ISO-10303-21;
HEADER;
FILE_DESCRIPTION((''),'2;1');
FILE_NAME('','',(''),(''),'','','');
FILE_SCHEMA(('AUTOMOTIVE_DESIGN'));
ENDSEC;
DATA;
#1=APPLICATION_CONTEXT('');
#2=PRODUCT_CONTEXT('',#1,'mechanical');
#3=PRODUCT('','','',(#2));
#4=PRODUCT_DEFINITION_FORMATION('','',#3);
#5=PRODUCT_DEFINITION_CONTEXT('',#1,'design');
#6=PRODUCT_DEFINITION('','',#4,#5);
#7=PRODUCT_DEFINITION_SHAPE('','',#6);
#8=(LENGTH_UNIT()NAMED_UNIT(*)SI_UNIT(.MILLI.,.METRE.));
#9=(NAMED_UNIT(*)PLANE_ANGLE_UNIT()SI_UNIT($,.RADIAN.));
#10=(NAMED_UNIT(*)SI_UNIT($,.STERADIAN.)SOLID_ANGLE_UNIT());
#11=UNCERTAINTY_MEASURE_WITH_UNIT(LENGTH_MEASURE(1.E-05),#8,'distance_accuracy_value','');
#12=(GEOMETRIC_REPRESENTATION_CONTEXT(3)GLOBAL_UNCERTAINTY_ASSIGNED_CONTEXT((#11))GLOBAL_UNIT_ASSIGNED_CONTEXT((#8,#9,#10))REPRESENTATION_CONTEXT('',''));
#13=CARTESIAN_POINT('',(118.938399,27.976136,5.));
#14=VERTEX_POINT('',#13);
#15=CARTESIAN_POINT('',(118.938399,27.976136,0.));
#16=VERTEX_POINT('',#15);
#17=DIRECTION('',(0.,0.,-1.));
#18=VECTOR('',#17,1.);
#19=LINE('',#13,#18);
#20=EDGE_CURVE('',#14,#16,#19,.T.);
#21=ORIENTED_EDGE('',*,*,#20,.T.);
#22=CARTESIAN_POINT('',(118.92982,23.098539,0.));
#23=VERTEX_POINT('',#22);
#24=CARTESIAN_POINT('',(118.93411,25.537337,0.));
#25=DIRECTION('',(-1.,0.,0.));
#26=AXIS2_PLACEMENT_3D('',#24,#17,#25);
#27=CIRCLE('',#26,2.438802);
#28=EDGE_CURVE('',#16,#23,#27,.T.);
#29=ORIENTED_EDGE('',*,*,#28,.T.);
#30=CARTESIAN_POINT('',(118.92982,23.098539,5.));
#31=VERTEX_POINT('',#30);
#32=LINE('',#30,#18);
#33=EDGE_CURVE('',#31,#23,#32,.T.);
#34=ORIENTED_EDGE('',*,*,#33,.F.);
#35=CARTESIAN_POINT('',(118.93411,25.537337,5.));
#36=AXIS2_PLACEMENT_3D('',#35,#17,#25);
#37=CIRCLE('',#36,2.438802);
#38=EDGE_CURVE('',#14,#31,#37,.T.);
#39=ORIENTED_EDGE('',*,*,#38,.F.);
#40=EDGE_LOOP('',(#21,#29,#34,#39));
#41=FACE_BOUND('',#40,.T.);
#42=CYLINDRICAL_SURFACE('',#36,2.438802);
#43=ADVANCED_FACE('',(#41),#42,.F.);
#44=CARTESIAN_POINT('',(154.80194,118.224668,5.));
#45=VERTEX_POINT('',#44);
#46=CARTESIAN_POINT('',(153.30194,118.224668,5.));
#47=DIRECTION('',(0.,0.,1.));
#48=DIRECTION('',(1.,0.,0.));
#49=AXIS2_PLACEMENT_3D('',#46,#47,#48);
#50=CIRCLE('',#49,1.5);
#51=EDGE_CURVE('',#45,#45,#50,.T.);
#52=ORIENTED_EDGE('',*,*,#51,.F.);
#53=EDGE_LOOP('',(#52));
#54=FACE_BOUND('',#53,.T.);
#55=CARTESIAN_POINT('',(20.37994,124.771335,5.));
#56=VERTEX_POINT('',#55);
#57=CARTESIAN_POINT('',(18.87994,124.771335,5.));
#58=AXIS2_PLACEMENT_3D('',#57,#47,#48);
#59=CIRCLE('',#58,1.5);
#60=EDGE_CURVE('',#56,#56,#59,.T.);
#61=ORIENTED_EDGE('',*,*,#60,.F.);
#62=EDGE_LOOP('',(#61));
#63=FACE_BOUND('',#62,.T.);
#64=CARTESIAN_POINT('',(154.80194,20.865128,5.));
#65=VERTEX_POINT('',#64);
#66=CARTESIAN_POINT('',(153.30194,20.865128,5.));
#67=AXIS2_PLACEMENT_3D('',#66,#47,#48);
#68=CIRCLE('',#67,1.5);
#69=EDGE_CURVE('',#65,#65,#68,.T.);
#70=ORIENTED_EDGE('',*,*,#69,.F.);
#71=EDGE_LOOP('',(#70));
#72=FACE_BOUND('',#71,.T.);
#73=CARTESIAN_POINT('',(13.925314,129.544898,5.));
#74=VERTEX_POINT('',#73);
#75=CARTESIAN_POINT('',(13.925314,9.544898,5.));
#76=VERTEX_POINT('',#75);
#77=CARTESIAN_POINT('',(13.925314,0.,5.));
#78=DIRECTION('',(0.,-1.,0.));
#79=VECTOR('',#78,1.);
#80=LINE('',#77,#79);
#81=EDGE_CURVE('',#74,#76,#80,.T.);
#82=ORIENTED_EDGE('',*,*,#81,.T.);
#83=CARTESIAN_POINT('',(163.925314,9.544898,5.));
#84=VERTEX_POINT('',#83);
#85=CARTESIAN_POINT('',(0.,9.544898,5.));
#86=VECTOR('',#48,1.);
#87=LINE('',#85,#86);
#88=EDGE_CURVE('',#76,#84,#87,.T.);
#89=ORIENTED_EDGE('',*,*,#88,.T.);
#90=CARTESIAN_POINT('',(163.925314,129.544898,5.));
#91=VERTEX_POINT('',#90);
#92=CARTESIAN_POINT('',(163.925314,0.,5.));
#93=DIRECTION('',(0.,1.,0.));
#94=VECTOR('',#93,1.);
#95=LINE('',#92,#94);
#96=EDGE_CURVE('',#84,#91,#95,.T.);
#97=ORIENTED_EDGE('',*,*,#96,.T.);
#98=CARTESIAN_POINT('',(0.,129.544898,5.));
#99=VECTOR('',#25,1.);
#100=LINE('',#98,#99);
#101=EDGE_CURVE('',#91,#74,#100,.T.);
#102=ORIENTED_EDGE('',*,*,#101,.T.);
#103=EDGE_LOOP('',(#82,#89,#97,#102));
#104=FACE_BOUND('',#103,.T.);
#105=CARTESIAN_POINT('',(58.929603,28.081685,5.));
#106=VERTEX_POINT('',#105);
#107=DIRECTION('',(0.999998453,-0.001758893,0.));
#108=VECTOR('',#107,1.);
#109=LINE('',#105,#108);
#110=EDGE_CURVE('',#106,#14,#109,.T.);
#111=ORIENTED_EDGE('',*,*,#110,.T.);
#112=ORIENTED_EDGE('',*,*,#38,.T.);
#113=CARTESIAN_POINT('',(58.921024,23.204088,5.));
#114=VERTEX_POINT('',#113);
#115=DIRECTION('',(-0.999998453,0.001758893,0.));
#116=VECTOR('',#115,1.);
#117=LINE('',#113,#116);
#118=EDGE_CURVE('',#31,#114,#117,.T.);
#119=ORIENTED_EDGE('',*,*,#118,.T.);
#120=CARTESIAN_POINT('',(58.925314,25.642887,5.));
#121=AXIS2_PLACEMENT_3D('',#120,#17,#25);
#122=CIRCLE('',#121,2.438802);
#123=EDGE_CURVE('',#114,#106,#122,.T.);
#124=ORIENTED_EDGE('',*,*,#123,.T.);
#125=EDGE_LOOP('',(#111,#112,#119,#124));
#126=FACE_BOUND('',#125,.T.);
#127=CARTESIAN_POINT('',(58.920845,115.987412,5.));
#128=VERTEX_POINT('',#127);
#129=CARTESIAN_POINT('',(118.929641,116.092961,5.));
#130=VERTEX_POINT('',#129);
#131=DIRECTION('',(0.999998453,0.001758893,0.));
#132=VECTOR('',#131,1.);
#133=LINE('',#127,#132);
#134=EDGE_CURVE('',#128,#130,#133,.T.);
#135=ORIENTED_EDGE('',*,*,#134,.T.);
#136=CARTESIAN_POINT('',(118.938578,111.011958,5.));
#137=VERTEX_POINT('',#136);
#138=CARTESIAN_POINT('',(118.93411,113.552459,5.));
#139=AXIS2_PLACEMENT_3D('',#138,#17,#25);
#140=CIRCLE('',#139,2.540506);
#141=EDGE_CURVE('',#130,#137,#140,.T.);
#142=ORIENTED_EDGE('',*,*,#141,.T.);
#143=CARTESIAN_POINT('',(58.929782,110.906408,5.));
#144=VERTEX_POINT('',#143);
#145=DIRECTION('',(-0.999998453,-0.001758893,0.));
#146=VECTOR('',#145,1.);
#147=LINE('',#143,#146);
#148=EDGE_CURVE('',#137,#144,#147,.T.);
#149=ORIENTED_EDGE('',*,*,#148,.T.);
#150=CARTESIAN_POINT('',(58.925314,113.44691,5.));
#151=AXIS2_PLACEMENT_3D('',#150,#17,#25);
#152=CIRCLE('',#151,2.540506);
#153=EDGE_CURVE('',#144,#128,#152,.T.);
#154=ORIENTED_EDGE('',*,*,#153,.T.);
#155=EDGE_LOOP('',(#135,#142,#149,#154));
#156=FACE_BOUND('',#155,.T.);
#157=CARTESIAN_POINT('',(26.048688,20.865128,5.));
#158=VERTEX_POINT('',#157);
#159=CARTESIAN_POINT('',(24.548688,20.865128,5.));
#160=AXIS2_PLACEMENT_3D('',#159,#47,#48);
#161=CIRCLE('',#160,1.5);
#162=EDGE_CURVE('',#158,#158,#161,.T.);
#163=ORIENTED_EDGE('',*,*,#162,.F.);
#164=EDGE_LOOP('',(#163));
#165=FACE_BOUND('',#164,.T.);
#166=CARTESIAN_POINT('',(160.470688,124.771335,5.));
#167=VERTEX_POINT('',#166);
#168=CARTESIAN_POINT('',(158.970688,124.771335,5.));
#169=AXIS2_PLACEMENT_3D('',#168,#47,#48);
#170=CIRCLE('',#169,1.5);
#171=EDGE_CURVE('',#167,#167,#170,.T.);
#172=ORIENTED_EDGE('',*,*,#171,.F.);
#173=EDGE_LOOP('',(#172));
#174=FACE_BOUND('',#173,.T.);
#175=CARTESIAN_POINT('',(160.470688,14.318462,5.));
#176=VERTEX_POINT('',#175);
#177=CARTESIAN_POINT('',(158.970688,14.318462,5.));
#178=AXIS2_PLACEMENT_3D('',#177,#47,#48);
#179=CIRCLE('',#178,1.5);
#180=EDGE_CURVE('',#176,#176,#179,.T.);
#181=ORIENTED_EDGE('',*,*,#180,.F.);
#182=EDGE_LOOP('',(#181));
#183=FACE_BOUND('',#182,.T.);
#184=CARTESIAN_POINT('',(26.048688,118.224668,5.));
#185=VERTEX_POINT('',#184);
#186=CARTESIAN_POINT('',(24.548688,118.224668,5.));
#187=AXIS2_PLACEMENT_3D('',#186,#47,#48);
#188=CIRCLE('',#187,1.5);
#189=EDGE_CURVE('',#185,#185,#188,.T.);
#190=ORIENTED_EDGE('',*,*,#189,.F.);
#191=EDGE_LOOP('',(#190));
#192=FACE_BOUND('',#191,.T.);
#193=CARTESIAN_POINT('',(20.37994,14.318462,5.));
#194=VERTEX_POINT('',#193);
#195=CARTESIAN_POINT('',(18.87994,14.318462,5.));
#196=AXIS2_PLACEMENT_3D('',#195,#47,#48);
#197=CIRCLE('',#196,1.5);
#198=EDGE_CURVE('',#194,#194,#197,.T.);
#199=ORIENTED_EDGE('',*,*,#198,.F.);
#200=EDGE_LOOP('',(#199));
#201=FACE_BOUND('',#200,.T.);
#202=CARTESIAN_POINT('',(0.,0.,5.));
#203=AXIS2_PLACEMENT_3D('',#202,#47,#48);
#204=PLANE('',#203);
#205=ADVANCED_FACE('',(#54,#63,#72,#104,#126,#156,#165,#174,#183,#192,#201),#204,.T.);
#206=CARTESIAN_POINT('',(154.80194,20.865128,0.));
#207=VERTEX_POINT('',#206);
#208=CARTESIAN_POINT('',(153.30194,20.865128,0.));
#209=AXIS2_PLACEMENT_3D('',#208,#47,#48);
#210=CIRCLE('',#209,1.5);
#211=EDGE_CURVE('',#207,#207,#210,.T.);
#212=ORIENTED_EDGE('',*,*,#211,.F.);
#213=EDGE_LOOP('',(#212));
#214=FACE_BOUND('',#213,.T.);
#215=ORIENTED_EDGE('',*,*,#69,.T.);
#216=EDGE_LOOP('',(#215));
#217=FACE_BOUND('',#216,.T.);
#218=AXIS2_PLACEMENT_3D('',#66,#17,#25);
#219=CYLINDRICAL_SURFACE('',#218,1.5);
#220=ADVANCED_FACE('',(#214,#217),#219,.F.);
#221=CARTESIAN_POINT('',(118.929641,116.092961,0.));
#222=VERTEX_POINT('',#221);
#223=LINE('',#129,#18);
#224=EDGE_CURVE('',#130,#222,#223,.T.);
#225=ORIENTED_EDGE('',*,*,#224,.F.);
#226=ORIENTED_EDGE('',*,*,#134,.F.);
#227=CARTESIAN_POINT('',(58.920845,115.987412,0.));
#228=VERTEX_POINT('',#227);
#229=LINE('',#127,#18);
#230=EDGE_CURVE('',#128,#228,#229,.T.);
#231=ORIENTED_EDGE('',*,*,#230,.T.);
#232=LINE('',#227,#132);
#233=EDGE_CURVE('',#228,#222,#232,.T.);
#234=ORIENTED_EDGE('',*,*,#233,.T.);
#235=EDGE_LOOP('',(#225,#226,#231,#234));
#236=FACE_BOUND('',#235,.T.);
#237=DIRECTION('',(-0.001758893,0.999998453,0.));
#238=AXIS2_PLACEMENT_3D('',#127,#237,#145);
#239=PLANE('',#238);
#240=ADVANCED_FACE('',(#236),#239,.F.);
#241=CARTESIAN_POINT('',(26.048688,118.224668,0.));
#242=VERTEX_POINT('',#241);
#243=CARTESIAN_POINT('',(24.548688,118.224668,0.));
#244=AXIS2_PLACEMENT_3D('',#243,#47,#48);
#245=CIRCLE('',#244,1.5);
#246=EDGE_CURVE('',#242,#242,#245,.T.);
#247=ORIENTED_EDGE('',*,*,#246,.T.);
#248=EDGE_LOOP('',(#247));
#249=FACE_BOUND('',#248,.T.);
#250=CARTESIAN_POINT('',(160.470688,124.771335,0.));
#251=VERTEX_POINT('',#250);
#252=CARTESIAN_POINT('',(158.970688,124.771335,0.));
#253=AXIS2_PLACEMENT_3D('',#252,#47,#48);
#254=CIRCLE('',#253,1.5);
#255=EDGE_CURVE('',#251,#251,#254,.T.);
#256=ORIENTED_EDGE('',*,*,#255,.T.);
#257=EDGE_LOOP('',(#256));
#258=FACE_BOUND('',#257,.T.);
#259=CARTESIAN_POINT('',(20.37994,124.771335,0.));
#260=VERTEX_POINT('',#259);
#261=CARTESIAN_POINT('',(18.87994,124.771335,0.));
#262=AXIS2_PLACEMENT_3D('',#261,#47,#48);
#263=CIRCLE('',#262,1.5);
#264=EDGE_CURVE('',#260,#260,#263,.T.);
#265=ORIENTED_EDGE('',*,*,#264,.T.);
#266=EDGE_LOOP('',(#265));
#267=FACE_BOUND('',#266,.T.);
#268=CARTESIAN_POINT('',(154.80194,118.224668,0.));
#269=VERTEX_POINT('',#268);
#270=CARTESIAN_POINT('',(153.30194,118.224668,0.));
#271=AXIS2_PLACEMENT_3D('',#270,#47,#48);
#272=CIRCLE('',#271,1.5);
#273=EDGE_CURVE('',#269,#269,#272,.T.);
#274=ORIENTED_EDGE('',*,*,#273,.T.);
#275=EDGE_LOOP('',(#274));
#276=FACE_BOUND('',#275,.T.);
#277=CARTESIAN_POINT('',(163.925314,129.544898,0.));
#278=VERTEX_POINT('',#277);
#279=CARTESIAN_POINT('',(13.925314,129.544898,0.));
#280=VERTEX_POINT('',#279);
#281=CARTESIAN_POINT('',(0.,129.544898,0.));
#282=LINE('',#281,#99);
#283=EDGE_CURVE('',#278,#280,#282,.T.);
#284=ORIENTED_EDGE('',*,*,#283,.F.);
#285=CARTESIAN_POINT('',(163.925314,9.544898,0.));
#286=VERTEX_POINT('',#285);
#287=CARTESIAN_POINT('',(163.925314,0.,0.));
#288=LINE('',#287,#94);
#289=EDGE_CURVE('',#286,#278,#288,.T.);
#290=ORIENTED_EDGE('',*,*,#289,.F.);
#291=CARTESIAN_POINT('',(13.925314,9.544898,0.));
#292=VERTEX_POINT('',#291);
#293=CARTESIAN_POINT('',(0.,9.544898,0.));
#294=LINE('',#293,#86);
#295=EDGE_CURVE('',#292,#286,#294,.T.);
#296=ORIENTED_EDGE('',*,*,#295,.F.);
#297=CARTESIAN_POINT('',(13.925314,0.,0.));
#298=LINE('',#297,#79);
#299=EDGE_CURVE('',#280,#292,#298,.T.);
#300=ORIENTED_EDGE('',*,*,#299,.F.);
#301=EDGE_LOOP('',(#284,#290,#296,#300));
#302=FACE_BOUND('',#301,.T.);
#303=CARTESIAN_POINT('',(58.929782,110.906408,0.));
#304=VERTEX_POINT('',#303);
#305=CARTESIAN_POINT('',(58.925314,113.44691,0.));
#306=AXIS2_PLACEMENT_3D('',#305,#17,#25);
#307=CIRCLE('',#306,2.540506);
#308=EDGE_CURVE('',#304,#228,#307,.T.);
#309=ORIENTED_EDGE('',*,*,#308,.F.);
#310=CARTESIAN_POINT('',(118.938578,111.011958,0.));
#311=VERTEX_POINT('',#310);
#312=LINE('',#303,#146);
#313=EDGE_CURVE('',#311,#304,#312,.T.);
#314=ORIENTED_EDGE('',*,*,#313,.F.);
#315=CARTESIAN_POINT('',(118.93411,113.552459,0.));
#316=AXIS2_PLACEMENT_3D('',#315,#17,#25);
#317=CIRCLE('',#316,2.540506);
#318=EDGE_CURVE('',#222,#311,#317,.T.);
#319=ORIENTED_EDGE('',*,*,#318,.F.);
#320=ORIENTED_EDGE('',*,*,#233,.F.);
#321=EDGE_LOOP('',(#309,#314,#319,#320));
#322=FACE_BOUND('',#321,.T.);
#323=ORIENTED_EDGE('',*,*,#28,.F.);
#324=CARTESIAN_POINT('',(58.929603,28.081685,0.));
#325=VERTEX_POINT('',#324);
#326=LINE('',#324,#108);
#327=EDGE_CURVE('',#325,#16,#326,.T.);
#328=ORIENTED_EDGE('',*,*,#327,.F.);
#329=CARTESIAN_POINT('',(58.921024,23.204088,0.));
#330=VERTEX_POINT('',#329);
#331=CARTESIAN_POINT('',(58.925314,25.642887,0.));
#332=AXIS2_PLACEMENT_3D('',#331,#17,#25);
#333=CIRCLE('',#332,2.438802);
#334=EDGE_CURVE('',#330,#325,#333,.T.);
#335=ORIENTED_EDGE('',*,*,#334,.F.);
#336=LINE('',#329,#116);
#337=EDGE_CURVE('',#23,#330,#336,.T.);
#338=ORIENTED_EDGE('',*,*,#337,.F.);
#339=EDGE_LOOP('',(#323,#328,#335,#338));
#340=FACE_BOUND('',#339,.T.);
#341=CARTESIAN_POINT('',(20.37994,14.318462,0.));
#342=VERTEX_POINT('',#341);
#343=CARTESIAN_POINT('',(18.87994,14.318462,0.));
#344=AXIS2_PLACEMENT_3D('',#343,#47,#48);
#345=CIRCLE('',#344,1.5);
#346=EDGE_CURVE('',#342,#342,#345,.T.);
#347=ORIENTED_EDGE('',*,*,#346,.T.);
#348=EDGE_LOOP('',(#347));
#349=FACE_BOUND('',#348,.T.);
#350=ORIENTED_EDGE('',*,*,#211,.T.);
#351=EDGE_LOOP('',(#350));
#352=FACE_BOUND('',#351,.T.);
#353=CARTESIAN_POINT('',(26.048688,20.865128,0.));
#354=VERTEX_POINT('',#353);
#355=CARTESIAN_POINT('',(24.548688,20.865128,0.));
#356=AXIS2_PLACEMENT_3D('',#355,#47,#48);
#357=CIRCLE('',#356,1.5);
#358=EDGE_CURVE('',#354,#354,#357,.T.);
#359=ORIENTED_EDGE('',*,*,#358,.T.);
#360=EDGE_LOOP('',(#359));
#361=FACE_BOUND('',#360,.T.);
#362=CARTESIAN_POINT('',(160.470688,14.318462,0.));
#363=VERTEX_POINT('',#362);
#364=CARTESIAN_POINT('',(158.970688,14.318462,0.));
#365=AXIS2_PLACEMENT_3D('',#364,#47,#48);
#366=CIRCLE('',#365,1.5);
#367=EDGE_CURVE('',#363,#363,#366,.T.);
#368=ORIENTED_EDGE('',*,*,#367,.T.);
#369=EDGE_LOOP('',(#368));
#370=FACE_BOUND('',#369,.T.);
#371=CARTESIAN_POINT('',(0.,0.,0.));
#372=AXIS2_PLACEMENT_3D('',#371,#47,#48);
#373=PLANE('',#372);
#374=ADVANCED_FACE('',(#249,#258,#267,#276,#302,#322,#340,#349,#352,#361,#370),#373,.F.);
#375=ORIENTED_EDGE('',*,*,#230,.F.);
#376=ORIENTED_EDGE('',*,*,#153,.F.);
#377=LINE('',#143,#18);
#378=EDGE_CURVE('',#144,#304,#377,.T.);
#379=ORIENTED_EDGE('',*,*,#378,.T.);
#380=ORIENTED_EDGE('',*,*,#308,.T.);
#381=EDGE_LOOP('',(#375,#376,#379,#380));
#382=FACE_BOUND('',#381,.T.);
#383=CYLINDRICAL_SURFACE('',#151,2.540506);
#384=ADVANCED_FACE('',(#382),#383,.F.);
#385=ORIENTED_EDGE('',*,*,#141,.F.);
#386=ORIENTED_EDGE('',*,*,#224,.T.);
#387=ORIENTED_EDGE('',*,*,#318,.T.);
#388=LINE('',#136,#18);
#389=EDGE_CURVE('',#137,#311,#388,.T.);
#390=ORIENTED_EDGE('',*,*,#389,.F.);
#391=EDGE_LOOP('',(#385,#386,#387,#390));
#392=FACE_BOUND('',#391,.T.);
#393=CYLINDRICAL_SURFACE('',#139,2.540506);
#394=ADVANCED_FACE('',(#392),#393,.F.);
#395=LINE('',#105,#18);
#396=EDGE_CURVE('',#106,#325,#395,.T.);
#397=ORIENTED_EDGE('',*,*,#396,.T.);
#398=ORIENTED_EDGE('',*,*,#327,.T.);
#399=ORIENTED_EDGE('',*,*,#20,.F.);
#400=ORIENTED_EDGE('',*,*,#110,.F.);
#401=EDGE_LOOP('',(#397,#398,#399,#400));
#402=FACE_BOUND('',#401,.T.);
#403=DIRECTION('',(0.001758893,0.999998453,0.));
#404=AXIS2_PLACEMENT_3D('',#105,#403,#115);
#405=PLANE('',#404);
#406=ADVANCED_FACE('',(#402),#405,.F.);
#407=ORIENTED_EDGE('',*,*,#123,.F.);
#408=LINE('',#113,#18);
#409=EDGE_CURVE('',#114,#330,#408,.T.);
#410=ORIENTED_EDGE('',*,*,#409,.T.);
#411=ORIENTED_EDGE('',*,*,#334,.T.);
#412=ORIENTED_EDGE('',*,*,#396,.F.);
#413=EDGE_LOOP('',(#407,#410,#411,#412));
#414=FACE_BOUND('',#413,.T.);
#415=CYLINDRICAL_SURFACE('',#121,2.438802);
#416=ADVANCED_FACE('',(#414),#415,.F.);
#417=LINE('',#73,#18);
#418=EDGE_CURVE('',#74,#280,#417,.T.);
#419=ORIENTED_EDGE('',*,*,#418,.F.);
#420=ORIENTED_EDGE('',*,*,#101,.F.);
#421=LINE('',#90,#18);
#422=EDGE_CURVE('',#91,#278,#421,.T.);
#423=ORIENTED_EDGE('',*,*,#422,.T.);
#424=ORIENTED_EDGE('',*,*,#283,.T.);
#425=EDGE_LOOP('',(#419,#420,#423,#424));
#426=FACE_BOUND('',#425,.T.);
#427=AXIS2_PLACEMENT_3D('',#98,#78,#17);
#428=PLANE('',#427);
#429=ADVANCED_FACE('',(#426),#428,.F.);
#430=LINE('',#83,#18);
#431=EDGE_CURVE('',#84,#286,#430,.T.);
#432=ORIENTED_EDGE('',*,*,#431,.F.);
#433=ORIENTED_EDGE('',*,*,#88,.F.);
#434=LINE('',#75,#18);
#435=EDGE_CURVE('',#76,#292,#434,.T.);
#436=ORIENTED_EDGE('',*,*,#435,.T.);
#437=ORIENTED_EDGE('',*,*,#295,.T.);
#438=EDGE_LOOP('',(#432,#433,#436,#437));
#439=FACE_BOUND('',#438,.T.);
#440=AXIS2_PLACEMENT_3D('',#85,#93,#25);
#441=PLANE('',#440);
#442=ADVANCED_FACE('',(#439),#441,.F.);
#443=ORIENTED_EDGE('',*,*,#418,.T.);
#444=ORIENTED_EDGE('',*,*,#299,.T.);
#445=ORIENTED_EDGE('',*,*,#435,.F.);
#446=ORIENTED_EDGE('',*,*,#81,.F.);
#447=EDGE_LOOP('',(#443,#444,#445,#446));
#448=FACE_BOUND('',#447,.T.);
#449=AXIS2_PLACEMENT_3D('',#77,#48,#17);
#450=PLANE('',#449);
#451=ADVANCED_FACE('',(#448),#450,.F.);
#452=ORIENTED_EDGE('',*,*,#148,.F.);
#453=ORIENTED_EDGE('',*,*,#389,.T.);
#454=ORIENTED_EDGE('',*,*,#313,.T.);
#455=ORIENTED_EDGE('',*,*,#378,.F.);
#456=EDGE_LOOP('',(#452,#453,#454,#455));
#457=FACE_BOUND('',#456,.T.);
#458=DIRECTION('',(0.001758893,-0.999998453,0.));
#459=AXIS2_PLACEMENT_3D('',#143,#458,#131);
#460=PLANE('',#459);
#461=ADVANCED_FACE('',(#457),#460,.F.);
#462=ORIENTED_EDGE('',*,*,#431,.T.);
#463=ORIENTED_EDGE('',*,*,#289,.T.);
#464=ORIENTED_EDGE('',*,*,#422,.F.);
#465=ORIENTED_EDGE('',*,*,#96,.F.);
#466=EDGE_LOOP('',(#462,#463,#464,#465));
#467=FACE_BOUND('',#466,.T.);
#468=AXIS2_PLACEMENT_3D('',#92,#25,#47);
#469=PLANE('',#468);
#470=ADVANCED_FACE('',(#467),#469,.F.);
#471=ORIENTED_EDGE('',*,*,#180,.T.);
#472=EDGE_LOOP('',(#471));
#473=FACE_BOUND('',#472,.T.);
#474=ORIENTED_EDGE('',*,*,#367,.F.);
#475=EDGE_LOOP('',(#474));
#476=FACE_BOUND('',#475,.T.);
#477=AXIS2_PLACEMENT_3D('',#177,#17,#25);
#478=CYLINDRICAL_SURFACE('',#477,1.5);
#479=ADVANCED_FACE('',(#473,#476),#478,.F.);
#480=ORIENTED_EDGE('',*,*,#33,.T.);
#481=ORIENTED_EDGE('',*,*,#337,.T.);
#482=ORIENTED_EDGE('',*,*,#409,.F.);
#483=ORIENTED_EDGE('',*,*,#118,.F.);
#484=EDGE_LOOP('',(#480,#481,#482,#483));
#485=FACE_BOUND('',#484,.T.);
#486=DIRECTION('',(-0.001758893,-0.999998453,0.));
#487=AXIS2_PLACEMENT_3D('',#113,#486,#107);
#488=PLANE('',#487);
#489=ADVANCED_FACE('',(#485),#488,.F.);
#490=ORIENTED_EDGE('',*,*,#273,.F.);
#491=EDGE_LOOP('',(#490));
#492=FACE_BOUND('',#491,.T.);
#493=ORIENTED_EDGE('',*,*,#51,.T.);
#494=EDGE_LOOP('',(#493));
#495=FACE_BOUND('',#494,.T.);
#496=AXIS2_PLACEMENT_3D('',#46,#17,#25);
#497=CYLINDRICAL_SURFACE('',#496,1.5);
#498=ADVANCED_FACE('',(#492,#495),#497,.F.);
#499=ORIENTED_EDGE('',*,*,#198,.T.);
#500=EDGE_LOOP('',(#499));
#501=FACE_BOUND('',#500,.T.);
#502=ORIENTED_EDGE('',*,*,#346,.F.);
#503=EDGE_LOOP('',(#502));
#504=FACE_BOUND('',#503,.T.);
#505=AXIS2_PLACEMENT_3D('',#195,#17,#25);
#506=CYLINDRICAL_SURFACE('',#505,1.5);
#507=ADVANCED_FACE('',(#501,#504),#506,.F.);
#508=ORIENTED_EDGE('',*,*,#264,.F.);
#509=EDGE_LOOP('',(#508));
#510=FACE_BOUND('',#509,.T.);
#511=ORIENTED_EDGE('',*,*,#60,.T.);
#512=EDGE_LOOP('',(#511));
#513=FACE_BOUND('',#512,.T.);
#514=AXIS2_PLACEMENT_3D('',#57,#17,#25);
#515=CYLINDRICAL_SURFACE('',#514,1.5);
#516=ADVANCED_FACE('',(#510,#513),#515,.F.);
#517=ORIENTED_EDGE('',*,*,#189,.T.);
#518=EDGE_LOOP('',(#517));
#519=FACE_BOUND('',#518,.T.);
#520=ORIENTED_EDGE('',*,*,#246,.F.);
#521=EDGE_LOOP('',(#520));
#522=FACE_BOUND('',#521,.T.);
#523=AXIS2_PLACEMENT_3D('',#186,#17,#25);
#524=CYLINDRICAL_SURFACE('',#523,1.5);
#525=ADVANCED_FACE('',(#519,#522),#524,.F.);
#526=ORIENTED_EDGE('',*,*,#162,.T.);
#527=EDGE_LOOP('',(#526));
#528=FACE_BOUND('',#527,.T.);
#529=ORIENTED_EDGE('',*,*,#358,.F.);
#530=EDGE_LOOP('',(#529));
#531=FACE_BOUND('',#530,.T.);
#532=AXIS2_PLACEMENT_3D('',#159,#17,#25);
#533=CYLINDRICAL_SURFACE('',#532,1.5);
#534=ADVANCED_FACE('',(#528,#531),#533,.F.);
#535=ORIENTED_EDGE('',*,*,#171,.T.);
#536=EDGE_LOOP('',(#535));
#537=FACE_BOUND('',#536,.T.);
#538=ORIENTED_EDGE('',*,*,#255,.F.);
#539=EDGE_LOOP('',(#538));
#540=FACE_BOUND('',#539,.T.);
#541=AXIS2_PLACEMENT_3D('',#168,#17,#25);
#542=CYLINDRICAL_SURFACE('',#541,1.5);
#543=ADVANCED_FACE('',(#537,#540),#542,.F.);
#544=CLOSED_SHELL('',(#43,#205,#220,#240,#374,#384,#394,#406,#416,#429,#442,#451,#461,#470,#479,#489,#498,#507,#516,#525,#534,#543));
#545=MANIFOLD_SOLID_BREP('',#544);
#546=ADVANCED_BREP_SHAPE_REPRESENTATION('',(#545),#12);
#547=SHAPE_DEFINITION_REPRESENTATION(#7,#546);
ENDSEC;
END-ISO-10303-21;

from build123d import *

# Parameters (mm, degrees)
MODEL_W             = 150
MODEL_H             = 120
MODEL_R             = 1.5
BOSS_EXTRUDE1_DEPTH = 5
CUT_EXTRUDE1_DEPTH  = 209.993753976


with BuildPart() as part:
    # Model → Boss-Extrude1 (new body)
    with BuildSketch(Plane.XY):
        with Locations((88.925313808, 69.54489837)):
            Rectangle(MODEL_W, MODEL_H)
        with Locations((18.879939798, 124.771335066)):
            Circle(MODEL_R, mode=Mode.SUBTRACT)
        with Locations((158.970687817, 124.771335066)):
            Circle(MODEL_R, mode=Mode.SUBTRACT)
        with Locations((18.879939798, 14.318461674)):
            Circle(MODEL_R, mode=Mode.SUBTRACT)
        with Locations((158.970687817, 14.318461674)):
            Circle(MODEL_R, mode=Mode.SUBTRACT)
        with Locations((24.548687541, 118.224668434)):
            Circle(MODEL_R, mode=Mode.SUBTRACT)
        with Locations((153.301940075, 118.224668434)):
            Circle(MODEL_R, mode=Mode.SUBTRACT)
        with Locations((24.548687541, 20.865128307)):
            Circle(MODEL_R, mode=Mode.SUBTRACT)
        with Locations((153.301940075, 20.865128307)):
            Circle(MODEL_R, mode=Mode.SUBTRACT)
    extrude(amount=BOSS_EXTRUDE1_DEPTH)

    # Sketch2 → Cut-Extrude1 (cut, through all)
    with BuildSketch(Plane(origin=(0, 0, 0), x_dir=(-1, 0, 0), z_dir=(0, 0, -1))):
        with BuildLine():
            Line((-58.929782285, 110.90640838), (-118.938578053, 111.011957594))
            ThreePointArc((-118.938578053, 111.011957594), (-121.474611242, 113.556927738), (-118.929641098, 116.092960927))
            Line((-118.929641098, 116.092960927), (-58.92084533, 115.987411713))
            ThreePointArc((-58.92084533, 115.987411713), (-56.384812141, 113.442441569), (-58.929782285, 110.90640838))
        make_face()
        with BuildLine():
            Line((-58.921024216, 23.204088411), (-118.929819984, 23.098539197))
            ThreePointArc((-118.929819984, 23.098539197), (-121.372907859, 25.533047888), (-118.938399168, 27.976135764))
            Line((-118.938399168, 27.976135764), (-58.9296034, 28.081684978))
            ThreePointArc((-58.9296034, 28.081684978), (-56.486515525, 25.647176286), (-58.921024216, 23.204088411))
        make_face()
    extrude(amount=-CUT_EXTRUDE1_DEPTH, mode=Mode.SUBTRACT)


solid = part.part
